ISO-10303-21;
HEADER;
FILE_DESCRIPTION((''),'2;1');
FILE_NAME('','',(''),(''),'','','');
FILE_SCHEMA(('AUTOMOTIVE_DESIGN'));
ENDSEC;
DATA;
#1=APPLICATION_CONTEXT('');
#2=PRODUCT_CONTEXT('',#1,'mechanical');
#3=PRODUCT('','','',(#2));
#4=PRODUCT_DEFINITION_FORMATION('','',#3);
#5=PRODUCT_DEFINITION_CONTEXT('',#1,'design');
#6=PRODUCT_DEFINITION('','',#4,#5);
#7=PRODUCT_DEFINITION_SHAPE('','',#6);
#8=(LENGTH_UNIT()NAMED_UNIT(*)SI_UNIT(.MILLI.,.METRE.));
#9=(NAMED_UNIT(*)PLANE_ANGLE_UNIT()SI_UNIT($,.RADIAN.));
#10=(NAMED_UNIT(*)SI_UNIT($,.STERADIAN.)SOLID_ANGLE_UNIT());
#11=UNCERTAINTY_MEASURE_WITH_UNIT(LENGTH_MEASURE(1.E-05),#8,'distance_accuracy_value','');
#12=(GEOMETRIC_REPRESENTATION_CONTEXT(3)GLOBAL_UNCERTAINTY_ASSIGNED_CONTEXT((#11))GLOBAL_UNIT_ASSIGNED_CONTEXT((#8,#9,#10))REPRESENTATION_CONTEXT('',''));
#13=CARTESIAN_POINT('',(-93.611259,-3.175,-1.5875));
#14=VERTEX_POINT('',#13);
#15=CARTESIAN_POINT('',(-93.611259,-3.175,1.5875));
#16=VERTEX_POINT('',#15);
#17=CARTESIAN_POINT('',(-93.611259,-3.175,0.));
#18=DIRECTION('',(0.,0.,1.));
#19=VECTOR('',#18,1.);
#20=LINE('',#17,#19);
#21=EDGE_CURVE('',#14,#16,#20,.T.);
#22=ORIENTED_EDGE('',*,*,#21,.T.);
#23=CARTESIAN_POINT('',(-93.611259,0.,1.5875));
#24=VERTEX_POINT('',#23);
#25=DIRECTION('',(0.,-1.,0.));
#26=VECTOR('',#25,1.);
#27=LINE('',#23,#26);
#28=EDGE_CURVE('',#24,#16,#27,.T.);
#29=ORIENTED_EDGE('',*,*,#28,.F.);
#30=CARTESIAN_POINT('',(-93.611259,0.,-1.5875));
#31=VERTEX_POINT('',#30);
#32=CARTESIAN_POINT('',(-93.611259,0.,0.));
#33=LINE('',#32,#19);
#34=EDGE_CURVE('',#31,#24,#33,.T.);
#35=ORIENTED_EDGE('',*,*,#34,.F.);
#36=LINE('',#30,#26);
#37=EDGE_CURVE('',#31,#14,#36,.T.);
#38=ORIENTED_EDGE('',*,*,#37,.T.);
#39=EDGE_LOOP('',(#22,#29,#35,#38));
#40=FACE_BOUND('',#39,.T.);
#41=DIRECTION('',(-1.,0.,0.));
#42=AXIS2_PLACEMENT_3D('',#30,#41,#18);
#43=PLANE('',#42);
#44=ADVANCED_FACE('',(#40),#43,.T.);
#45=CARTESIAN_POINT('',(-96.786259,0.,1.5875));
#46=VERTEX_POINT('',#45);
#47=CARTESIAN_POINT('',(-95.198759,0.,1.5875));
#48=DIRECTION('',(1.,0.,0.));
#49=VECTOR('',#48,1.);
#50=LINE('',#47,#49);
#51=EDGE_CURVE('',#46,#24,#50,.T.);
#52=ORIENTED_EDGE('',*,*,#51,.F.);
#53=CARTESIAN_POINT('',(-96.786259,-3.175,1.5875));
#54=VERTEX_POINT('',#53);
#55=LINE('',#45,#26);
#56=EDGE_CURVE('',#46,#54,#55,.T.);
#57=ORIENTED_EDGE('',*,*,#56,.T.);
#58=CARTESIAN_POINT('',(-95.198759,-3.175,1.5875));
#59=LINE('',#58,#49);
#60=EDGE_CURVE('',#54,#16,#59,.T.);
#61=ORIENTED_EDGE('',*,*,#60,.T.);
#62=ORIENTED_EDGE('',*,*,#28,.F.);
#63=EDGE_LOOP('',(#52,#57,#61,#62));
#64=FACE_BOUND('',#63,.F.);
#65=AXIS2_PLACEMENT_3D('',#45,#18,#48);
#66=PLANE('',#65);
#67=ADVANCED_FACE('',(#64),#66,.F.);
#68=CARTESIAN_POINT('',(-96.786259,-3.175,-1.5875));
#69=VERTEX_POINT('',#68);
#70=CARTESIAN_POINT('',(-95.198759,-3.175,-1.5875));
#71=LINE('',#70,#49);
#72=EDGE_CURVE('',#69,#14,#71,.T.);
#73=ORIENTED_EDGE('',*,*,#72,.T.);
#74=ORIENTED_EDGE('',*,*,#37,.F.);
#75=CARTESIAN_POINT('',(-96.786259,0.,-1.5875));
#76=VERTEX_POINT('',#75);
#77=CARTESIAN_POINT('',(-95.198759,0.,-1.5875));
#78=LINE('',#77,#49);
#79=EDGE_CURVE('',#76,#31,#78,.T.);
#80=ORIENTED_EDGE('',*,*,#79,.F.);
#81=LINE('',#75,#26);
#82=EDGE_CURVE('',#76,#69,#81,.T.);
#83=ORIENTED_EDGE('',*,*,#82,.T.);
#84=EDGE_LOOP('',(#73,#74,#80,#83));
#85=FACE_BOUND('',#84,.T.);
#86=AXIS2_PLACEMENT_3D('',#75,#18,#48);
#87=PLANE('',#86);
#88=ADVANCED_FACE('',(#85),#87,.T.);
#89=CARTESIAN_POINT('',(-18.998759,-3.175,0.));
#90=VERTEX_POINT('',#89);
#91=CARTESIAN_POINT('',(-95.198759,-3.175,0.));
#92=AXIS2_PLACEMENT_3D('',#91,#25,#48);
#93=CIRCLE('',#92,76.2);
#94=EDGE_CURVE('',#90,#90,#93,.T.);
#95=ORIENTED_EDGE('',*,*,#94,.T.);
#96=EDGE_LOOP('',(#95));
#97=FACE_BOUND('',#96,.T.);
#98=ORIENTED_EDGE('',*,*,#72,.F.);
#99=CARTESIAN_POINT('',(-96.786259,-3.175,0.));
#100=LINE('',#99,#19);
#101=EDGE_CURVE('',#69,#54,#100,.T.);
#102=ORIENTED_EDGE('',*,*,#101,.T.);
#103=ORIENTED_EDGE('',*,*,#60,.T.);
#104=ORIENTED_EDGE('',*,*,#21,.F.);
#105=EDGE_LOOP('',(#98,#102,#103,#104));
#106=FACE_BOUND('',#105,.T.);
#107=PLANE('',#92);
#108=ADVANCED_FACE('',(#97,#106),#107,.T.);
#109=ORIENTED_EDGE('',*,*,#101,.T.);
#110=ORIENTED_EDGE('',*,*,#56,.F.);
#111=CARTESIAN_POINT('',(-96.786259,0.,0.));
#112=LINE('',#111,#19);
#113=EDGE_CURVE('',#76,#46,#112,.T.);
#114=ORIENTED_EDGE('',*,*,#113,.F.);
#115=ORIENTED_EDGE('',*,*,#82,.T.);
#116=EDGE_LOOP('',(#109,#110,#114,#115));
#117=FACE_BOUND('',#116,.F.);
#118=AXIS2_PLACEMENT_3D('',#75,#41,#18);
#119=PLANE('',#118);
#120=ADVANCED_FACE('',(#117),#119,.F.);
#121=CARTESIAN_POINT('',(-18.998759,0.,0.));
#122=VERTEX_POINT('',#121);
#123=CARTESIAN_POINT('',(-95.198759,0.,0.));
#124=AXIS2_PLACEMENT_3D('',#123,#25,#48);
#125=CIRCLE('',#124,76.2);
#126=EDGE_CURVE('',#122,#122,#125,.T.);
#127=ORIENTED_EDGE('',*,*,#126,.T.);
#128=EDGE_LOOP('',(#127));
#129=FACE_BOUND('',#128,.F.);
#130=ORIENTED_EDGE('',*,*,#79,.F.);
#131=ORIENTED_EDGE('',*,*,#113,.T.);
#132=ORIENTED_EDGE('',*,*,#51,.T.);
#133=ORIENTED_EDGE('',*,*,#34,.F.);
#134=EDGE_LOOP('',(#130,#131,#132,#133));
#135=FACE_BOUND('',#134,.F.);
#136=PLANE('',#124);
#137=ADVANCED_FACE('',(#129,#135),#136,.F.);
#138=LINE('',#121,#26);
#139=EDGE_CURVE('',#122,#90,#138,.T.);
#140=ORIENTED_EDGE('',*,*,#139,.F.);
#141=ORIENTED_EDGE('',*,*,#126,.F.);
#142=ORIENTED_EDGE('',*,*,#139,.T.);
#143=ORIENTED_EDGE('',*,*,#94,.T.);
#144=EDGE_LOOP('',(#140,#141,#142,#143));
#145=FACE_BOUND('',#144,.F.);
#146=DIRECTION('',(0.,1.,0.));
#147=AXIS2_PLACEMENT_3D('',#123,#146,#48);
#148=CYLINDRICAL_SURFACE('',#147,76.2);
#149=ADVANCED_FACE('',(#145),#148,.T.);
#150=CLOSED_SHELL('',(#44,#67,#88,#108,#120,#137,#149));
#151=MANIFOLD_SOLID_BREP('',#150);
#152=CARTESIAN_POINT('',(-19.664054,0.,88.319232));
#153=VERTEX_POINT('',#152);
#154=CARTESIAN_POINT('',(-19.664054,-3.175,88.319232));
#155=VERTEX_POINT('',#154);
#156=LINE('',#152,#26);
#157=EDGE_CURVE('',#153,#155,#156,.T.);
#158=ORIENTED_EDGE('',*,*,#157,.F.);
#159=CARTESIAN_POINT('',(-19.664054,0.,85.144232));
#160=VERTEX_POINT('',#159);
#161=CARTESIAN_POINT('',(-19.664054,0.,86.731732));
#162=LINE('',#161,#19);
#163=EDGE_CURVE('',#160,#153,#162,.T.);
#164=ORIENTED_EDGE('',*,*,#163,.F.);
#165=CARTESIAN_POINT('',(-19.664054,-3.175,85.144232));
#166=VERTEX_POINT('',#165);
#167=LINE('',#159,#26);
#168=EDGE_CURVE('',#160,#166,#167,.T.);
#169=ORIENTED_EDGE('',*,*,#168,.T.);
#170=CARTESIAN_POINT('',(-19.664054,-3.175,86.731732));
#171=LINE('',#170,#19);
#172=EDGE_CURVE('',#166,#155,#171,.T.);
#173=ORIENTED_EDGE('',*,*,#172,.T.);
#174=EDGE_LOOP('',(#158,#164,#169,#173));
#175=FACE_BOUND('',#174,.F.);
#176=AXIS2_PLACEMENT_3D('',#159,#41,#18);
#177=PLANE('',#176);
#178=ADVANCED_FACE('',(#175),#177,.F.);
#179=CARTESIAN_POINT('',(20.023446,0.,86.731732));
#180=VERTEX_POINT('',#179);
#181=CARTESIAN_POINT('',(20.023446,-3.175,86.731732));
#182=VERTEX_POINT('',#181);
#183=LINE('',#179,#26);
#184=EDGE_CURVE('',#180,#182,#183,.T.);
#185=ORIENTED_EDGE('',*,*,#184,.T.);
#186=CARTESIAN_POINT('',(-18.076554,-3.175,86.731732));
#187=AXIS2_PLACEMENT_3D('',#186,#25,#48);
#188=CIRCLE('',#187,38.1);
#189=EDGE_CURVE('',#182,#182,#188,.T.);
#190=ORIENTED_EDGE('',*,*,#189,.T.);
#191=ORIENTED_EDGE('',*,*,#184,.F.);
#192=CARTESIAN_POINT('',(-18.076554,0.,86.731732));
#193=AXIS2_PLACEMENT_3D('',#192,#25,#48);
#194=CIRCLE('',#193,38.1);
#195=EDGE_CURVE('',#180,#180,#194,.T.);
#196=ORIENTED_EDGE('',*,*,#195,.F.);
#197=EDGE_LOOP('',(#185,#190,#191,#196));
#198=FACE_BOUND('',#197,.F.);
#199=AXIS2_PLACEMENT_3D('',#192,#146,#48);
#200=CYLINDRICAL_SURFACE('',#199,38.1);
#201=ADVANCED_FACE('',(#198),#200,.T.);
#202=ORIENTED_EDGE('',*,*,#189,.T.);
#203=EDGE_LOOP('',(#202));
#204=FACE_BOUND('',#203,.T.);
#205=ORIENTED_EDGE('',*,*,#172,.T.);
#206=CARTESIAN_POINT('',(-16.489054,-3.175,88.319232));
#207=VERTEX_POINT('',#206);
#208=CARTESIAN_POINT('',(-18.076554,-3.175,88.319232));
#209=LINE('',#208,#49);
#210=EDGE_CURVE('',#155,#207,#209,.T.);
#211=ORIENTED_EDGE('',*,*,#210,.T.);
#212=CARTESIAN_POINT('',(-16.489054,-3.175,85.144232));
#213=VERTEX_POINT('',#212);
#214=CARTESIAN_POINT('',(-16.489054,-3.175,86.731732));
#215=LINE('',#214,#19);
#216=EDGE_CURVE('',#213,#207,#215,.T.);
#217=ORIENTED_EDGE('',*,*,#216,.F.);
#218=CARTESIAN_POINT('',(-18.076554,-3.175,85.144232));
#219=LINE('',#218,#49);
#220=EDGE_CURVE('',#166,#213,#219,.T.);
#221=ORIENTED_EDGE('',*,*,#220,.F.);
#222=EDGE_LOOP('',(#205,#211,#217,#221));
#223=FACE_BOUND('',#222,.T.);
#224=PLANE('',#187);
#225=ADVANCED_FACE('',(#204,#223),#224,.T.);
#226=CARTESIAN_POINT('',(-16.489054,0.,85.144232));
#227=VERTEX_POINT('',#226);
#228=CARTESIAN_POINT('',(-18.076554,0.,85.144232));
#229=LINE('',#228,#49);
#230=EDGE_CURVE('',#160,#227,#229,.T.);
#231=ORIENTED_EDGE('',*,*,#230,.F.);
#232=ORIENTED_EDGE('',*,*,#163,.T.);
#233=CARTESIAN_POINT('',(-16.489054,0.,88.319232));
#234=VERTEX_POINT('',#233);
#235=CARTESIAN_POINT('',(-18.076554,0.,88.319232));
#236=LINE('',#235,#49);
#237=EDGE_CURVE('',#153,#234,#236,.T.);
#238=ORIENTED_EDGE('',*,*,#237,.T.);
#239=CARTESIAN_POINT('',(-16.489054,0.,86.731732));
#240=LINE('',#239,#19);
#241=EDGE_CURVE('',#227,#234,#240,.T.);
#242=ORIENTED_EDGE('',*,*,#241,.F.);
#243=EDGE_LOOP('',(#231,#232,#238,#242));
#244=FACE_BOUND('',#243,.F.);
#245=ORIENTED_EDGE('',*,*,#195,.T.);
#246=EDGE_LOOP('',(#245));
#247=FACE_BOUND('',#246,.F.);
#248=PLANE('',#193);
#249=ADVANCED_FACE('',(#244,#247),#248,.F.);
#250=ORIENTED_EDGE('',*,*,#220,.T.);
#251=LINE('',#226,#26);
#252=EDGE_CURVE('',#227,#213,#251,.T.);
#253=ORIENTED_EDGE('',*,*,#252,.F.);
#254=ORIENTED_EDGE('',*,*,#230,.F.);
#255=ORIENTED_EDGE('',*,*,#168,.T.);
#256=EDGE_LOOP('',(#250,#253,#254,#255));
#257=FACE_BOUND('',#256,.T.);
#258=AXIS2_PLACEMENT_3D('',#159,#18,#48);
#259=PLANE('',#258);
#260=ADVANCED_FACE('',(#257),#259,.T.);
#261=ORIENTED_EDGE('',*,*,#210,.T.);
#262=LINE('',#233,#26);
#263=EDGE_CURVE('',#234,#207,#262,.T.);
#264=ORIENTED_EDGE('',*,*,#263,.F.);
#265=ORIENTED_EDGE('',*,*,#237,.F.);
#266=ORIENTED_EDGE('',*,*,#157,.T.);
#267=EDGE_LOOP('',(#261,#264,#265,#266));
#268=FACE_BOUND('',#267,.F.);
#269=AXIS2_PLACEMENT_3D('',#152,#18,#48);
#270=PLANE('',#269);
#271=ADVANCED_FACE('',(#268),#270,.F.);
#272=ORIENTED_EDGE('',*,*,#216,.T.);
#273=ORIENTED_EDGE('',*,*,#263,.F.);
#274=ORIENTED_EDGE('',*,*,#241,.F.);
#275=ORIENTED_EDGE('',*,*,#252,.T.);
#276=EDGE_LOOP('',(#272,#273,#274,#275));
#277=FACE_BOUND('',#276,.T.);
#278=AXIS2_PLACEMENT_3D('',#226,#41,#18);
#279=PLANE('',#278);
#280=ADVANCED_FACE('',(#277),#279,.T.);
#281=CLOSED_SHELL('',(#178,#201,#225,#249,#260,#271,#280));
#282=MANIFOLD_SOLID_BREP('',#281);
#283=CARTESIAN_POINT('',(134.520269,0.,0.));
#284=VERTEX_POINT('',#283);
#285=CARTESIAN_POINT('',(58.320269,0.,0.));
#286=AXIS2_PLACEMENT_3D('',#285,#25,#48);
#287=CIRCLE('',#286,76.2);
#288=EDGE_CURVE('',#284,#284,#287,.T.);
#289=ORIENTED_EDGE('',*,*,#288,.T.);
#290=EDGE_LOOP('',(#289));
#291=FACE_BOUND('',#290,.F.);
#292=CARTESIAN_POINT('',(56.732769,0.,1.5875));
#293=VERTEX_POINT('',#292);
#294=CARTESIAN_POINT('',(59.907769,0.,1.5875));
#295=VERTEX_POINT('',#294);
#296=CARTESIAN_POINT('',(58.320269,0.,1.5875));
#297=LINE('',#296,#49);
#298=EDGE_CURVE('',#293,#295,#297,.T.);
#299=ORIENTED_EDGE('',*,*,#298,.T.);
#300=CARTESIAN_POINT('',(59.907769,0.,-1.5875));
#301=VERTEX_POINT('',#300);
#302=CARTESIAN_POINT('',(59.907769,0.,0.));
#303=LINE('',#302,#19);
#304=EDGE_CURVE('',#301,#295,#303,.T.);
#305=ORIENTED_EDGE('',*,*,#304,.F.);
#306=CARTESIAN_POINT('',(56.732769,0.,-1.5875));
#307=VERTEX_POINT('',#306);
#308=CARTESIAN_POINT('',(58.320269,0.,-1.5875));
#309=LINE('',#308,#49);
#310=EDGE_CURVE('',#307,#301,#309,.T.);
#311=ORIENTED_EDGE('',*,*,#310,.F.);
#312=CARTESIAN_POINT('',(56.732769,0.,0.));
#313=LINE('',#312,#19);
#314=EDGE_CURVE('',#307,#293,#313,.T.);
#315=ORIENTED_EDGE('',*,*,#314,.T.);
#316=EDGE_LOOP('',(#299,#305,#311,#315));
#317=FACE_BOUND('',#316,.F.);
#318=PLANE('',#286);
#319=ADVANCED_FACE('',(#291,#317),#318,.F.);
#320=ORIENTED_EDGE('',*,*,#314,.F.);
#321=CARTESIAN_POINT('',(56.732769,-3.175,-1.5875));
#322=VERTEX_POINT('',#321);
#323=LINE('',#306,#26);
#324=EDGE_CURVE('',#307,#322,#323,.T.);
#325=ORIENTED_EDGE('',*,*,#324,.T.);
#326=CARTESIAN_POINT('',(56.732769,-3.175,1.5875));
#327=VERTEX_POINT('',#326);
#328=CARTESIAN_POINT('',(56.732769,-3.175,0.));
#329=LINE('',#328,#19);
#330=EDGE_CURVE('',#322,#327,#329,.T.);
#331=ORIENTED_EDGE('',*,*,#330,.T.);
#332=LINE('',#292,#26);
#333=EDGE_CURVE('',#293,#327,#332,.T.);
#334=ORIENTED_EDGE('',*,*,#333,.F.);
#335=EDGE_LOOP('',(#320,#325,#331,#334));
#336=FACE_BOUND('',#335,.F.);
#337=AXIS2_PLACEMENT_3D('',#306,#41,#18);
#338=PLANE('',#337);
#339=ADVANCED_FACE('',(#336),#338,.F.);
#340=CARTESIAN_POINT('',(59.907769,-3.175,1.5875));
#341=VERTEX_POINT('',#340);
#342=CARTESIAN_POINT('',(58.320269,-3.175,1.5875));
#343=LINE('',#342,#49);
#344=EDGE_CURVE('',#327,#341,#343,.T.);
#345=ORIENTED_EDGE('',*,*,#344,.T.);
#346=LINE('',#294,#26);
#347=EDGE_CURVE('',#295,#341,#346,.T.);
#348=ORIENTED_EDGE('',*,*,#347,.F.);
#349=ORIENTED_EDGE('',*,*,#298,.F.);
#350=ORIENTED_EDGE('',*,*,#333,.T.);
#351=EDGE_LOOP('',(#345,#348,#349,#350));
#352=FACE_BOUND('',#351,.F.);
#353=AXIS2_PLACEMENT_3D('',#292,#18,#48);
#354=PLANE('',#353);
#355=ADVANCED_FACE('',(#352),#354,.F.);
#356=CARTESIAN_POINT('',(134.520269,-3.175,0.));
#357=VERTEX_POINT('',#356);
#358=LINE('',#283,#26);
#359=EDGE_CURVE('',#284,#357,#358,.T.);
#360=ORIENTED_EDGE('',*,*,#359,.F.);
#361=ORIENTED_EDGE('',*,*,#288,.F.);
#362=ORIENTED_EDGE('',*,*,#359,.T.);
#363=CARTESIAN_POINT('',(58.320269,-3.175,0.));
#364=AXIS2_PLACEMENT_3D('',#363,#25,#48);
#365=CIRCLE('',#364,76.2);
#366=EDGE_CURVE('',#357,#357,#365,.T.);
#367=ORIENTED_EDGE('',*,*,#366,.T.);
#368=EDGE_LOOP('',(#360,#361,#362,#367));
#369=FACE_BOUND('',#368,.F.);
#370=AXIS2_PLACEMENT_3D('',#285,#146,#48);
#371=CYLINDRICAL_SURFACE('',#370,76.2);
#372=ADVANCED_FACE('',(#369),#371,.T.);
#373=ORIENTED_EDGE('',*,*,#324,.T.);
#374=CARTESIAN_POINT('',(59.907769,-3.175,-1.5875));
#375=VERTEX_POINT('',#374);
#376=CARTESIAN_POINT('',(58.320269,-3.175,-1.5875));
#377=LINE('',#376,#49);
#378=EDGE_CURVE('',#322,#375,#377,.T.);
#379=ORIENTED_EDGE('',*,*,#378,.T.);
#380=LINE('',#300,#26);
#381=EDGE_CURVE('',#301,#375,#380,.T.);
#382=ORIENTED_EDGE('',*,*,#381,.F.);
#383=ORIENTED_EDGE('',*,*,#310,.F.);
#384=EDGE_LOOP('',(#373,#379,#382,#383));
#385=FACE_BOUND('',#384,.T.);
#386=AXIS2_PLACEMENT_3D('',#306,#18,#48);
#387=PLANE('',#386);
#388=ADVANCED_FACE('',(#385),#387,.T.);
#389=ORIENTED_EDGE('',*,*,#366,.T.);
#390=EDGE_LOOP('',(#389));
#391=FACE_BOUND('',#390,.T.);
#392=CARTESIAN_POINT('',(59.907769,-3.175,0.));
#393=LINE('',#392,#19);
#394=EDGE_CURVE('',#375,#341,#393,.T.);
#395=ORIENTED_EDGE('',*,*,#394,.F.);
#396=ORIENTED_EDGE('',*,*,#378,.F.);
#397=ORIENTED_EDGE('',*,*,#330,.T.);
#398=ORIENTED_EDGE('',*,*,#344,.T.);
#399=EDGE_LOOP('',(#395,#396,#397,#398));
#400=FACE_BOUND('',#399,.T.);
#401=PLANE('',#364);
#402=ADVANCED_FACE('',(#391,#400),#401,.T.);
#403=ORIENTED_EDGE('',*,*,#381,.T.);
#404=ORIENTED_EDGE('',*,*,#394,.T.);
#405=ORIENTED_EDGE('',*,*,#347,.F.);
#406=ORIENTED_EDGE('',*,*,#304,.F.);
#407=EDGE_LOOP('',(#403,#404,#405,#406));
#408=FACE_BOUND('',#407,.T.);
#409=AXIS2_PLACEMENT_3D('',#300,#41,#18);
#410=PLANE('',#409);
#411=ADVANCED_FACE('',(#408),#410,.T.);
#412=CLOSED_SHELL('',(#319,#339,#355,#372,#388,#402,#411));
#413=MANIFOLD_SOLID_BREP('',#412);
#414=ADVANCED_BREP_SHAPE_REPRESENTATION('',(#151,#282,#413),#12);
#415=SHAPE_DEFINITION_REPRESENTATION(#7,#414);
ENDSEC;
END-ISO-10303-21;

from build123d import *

# Parameters (mm, degrees)
F0_R     = 76.2
F0_W     = 3.175
F0_H     = 3.175
F0_R_2   = 38.1
F1_DEPTH = 3.175


with BuildPart() as f1:
    # F0 (on Front) → F1 (new body)
    with BuildSketch(Plane.XZ):
        with Locations((-95.198759, 0)):
            Circle(F0_R)
        with Locations((-95.198759, 0)):
            Rectangle(F0_W, F0_H, mode=Mode.SUBTRACT)
        with Locations((-18.076554, 86.731732)):
            Circle(F0_R_2)
        with Locations((-18.076554, 86.731732)):
            Rectangle(F0_W, F0_H, mode=Mode.SUBTRACT)
        with Locations((58.320269, 0)):
            Circle(F0_R)
        with Locations((58.320269, 0)):
            Rectangle(F0_W, F0_H, mode=Mode.SUBTRACT)
    extrude(amount=F1_DEPTH)


solid = f1.part
